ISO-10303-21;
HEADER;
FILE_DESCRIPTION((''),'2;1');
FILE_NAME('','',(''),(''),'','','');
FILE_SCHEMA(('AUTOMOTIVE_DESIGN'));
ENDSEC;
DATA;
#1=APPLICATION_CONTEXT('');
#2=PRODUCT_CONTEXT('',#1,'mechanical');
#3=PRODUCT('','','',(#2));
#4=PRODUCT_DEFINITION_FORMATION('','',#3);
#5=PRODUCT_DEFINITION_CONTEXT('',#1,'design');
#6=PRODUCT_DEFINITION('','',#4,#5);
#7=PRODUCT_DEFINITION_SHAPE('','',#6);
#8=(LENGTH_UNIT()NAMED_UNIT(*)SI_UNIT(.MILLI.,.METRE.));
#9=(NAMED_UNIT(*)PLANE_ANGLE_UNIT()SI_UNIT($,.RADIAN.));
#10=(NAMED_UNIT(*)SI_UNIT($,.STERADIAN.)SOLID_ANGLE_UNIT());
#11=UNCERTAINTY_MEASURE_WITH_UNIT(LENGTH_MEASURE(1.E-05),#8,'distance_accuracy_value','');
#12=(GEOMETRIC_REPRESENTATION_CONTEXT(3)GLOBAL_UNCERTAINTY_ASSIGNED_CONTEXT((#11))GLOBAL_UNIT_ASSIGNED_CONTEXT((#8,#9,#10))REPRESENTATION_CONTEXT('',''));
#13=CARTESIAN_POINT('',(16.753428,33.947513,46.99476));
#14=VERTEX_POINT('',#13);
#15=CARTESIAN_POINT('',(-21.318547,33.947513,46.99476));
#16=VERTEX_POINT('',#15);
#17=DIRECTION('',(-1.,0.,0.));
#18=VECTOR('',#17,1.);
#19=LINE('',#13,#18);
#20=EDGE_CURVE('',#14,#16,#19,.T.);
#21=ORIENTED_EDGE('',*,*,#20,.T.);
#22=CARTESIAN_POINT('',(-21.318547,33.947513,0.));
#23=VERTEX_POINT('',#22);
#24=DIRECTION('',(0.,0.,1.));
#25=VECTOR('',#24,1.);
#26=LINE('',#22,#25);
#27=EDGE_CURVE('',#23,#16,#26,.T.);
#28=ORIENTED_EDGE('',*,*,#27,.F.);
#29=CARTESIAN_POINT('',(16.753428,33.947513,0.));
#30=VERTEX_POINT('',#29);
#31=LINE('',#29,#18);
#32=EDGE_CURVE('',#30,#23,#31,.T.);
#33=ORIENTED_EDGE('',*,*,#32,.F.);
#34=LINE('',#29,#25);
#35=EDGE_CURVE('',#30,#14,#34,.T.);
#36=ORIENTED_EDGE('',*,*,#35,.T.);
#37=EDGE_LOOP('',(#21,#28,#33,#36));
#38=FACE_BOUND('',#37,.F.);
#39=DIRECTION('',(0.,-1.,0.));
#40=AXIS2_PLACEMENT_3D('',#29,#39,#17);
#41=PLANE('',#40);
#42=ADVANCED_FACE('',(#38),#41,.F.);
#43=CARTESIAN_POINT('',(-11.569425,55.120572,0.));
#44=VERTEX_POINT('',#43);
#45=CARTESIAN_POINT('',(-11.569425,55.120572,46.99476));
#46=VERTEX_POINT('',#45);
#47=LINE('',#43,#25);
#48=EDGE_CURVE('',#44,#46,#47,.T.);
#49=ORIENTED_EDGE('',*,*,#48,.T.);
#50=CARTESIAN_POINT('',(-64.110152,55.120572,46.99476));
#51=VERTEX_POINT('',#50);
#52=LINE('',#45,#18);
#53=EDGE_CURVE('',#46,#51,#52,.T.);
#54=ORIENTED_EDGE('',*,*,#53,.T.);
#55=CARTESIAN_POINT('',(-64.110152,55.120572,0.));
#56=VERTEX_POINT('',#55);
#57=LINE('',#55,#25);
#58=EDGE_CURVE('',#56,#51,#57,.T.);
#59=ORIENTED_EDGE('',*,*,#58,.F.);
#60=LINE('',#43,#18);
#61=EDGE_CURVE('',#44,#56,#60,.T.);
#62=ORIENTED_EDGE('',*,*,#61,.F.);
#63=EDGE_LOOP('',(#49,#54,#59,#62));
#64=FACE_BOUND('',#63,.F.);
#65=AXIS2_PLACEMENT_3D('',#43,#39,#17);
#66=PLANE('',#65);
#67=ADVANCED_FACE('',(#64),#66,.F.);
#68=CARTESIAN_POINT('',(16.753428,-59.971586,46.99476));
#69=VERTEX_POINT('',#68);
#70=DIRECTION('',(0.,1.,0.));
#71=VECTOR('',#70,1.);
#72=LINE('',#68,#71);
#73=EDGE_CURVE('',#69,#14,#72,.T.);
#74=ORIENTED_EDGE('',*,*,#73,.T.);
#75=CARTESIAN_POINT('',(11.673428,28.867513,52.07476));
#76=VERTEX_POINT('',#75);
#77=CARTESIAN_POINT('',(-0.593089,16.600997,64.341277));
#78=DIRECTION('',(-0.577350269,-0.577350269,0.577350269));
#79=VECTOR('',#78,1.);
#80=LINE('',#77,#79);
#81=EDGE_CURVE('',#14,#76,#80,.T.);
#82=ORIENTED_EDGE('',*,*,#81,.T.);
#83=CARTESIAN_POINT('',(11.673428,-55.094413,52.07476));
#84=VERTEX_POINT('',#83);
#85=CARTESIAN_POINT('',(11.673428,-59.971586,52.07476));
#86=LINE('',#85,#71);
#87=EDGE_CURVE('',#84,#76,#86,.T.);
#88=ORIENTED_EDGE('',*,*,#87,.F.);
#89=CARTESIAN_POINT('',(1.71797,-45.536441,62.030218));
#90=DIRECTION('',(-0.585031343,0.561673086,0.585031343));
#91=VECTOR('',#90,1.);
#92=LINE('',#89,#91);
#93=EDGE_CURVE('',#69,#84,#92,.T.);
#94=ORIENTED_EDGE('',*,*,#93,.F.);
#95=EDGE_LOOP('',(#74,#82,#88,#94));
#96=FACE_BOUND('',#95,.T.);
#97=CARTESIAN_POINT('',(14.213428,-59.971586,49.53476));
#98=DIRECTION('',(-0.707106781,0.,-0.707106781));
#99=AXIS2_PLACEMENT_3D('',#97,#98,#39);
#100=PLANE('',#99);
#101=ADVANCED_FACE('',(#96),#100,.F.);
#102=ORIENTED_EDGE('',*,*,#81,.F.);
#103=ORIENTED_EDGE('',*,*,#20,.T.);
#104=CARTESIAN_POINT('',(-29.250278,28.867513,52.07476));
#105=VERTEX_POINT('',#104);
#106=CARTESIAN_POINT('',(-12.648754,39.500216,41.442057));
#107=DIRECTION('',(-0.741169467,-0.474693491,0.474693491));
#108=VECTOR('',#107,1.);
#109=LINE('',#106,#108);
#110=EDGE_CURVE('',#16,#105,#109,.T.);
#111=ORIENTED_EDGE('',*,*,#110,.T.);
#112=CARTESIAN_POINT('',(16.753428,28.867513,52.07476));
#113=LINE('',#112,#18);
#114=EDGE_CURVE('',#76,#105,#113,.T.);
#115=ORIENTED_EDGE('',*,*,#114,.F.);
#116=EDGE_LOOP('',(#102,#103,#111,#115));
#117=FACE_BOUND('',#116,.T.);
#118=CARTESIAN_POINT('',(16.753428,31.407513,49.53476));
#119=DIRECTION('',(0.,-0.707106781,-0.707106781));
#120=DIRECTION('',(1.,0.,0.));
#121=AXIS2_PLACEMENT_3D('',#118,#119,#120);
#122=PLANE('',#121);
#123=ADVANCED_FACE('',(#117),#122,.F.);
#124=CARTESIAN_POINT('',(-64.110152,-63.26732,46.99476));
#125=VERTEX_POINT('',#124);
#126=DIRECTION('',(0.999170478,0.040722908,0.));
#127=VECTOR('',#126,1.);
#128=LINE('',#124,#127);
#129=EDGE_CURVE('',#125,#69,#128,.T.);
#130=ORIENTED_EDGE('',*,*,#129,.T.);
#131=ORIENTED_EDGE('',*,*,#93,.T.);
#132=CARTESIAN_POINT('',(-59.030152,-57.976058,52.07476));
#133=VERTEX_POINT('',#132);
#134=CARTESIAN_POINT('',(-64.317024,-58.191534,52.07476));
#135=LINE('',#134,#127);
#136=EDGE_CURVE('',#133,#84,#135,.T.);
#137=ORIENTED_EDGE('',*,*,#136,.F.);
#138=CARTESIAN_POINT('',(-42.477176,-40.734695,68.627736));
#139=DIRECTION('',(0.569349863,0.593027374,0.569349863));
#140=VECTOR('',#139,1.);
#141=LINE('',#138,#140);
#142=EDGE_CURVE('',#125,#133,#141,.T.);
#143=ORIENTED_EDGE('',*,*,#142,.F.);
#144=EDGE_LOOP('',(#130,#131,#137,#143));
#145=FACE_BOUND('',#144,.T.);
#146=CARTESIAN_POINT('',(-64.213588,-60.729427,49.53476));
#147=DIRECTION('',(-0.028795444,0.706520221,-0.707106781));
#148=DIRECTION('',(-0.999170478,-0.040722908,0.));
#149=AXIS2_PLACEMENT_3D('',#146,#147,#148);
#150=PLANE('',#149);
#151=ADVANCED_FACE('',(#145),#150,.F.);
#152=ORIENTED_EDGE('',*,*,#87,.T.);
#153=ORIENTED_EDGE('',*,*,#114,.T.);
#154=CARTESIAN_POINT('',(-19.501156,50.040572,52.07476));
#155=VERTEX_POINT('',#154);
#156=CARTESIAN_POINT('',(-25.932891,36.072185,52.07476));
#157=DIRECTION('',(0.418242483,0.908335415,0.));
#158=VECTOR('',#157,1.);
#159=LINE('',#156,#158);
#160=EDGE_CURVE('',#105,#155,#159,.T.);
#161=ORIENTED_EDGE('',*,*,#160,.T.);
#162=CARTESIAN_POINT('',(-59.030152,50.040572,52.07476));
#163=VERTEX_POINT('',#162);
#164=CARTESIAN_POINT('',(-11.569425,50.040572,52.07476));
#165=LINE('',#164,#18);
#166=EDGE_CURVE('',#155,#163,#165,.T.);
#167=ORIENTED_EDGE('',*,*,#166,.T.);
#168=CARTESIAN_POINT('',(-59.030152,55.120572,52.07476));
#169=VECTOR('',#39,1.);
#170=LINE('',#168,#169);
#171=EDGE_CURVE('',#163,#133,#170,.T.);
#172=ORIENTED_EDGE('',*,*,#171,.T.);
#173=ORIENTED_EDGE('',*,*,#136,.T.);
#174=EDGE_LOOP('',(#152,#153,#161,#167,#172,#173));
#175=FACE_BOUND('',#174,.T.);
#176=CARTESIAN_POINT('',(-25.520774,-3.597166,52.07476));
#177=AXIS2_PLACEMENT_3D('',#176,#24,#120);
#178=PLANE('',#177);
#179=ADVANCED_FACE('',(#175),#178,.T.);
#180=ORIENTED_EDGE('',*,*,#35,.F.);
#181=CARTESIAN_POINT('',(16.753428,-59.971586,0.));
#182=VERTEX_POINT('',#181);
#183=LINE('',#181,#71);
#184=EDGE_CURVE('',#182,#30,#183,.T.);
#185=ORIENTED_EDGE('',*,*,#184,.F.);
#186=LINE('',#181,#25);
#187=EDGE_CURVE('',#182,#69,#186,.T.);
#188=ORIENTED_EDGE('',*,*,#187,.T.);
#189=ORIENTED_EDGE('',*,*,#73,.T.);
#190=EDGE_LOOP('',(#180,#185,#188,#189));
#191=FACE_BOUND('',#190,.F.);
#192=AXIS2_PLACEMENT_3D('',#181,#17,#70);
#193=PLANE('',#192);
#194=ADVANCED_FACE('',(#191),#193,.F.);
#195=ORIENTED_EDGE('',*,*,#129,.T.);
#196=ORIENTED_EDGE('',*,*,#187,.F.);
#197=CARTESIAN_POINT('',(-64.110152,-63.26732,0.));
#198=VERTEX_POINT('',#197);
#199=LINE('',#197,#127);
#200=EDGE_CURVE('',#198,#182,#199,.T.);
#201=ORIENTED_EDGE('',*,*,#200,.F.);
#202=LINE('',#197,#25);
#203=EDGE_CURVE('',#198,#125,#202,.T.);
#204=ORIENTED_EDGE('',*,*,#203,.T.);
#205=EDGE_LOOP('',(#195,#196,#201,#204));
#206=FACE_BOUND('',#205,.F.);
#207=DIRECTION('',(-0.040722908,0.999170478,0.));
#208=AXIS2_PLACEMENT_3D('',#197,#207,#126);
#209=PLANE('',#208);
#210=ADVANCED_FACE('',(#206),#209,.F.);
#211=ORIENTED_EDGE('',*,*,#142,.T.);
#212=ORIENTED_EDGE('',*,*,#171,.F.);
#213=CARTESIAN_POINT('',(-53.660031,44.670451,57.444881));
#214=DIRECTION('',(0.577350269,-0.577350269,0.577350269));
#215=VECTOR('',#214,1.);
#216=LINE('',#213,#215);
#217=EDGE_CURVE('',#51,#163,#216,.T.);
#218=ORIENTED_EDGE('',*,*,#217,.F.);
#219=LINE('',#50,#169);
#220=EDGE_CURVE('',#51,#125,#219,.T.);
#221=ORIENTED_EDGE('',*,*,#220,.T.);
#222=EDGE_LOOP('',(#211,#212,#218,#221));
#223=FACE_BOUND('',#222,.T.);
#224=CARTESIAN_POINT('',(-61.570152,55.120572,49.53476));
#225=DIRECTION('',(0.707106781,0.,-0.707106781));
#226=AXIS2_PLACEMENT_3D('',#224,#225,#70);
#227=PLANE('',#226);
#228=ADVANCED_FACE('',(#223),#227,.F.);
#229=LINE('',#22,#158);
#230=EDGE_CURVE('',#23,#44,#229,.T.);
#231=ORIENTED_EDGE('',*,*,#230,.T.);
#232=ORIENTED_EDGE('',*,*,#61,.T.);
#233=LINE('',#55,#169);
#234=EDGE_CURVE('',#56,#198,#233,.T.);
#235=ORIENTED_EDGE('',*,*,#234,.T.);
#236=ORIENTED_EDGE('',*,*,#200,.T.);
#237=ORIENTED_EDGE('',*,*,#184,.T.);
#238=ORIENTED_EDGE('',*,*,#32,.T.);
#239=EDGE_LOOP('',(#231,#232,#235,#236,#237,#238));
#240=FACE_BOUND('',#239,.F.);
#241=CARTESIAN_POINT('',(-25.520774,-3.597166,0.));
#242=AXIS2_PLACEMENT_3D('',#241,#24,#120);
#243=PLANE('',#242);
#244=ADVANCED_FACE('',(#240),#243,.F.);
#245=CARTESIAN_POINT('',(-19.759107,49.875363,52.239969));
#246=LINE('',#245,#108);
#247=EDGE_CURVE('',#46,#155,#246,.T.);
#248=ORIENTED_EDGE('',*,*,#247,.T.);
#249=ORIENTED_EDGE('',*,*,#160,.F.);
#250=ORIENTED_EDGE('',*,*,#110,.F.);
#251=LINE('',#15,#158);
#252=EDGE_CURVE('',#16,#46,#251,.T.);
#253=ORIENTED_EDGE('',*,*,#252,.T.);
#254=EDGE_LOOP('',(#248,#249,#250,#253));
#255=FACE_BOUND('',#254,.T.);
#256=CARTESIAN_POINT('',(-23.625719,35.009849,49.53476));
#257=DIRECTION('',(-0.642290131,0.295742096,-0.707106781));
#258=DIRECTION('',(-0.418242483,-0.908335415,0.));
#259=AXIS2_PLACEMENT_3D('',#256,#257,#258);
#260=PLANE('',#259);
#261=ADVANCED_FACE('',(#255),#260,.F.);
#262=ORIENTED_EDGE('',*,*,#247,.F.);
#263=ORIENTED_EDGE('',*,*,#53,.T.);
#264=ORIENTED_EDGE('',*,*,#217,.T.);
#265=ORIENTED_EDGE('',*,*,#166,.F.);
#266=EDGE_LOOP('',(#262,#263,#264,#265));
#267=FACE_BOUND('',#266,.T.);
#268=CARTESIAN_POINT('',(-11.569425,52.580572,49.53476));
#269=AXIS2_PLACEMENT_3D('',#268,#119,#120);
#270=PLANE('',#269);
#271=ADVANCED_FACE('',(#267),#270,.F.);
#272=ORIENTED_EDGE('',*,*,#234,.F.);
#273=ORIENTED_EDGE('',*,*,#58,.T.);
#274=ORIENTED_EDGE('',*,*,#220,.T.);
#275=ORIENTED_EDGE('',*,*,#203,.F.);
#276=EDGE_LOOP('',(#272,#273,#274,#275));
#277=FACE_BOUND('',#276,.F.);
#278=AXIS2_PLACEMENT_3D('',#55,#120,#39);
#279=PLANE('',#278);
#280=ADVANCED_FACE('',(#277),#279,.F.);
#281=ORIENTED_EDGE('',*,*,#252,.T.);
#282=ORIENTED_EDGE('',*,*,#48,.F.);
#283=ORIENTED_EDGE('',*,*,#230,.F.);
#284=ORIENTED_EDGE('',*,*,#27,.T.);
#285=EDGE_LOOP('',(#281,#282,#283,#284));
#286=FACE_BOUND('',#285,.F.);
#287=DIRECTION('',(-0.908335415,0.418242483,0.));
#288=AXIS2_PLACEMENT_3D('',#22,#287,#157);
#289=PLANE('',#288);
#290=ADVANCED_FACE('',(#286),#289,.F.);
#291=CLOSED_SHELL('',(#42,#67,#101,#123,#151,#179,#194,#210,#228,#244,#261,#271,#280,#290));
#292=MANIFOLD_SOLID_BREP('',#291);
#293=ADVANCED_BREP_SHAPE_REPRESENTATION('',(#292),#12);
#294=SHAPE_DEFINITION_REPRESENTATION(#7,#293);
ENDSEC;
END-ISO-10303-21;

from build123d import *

# Parameters (mm, degrees)
F1_DEPTH = 52.07476
F2_SIZE  = 5.08


with BuildPart() as f1:
    # F0 (on Top) → F1 (new body)
    with BuildSketch(Plane.XY):
        Polygon((-64.110152, 55.120572), (-64.110152, -63.26732), (16.753428, -59.971586), (16.753428, 33.947513), (-21.318547, 33.947513), (-11.569425, 55.120572), align=None)
    extrude(amount=F1_DEPTH)

    # F2
    f2_edges = [f1.edges().sort_by_distance(p)[0] for p in [
        (-23.678362, -61.619453, 52.07476),
        (-64.110152, -4.073374, 52.07476),
        (16.753428, -13.012037, 52.07476),
        (-2.28256, 33.947513, 52.07476),
        (-16.443986, 44.534042, 52.07476),
        (-37.839789, 55.120572, 52.07476),
    ]]
    chamfer(f2_edges, length=F2_SIZE)


solid = f1.part
